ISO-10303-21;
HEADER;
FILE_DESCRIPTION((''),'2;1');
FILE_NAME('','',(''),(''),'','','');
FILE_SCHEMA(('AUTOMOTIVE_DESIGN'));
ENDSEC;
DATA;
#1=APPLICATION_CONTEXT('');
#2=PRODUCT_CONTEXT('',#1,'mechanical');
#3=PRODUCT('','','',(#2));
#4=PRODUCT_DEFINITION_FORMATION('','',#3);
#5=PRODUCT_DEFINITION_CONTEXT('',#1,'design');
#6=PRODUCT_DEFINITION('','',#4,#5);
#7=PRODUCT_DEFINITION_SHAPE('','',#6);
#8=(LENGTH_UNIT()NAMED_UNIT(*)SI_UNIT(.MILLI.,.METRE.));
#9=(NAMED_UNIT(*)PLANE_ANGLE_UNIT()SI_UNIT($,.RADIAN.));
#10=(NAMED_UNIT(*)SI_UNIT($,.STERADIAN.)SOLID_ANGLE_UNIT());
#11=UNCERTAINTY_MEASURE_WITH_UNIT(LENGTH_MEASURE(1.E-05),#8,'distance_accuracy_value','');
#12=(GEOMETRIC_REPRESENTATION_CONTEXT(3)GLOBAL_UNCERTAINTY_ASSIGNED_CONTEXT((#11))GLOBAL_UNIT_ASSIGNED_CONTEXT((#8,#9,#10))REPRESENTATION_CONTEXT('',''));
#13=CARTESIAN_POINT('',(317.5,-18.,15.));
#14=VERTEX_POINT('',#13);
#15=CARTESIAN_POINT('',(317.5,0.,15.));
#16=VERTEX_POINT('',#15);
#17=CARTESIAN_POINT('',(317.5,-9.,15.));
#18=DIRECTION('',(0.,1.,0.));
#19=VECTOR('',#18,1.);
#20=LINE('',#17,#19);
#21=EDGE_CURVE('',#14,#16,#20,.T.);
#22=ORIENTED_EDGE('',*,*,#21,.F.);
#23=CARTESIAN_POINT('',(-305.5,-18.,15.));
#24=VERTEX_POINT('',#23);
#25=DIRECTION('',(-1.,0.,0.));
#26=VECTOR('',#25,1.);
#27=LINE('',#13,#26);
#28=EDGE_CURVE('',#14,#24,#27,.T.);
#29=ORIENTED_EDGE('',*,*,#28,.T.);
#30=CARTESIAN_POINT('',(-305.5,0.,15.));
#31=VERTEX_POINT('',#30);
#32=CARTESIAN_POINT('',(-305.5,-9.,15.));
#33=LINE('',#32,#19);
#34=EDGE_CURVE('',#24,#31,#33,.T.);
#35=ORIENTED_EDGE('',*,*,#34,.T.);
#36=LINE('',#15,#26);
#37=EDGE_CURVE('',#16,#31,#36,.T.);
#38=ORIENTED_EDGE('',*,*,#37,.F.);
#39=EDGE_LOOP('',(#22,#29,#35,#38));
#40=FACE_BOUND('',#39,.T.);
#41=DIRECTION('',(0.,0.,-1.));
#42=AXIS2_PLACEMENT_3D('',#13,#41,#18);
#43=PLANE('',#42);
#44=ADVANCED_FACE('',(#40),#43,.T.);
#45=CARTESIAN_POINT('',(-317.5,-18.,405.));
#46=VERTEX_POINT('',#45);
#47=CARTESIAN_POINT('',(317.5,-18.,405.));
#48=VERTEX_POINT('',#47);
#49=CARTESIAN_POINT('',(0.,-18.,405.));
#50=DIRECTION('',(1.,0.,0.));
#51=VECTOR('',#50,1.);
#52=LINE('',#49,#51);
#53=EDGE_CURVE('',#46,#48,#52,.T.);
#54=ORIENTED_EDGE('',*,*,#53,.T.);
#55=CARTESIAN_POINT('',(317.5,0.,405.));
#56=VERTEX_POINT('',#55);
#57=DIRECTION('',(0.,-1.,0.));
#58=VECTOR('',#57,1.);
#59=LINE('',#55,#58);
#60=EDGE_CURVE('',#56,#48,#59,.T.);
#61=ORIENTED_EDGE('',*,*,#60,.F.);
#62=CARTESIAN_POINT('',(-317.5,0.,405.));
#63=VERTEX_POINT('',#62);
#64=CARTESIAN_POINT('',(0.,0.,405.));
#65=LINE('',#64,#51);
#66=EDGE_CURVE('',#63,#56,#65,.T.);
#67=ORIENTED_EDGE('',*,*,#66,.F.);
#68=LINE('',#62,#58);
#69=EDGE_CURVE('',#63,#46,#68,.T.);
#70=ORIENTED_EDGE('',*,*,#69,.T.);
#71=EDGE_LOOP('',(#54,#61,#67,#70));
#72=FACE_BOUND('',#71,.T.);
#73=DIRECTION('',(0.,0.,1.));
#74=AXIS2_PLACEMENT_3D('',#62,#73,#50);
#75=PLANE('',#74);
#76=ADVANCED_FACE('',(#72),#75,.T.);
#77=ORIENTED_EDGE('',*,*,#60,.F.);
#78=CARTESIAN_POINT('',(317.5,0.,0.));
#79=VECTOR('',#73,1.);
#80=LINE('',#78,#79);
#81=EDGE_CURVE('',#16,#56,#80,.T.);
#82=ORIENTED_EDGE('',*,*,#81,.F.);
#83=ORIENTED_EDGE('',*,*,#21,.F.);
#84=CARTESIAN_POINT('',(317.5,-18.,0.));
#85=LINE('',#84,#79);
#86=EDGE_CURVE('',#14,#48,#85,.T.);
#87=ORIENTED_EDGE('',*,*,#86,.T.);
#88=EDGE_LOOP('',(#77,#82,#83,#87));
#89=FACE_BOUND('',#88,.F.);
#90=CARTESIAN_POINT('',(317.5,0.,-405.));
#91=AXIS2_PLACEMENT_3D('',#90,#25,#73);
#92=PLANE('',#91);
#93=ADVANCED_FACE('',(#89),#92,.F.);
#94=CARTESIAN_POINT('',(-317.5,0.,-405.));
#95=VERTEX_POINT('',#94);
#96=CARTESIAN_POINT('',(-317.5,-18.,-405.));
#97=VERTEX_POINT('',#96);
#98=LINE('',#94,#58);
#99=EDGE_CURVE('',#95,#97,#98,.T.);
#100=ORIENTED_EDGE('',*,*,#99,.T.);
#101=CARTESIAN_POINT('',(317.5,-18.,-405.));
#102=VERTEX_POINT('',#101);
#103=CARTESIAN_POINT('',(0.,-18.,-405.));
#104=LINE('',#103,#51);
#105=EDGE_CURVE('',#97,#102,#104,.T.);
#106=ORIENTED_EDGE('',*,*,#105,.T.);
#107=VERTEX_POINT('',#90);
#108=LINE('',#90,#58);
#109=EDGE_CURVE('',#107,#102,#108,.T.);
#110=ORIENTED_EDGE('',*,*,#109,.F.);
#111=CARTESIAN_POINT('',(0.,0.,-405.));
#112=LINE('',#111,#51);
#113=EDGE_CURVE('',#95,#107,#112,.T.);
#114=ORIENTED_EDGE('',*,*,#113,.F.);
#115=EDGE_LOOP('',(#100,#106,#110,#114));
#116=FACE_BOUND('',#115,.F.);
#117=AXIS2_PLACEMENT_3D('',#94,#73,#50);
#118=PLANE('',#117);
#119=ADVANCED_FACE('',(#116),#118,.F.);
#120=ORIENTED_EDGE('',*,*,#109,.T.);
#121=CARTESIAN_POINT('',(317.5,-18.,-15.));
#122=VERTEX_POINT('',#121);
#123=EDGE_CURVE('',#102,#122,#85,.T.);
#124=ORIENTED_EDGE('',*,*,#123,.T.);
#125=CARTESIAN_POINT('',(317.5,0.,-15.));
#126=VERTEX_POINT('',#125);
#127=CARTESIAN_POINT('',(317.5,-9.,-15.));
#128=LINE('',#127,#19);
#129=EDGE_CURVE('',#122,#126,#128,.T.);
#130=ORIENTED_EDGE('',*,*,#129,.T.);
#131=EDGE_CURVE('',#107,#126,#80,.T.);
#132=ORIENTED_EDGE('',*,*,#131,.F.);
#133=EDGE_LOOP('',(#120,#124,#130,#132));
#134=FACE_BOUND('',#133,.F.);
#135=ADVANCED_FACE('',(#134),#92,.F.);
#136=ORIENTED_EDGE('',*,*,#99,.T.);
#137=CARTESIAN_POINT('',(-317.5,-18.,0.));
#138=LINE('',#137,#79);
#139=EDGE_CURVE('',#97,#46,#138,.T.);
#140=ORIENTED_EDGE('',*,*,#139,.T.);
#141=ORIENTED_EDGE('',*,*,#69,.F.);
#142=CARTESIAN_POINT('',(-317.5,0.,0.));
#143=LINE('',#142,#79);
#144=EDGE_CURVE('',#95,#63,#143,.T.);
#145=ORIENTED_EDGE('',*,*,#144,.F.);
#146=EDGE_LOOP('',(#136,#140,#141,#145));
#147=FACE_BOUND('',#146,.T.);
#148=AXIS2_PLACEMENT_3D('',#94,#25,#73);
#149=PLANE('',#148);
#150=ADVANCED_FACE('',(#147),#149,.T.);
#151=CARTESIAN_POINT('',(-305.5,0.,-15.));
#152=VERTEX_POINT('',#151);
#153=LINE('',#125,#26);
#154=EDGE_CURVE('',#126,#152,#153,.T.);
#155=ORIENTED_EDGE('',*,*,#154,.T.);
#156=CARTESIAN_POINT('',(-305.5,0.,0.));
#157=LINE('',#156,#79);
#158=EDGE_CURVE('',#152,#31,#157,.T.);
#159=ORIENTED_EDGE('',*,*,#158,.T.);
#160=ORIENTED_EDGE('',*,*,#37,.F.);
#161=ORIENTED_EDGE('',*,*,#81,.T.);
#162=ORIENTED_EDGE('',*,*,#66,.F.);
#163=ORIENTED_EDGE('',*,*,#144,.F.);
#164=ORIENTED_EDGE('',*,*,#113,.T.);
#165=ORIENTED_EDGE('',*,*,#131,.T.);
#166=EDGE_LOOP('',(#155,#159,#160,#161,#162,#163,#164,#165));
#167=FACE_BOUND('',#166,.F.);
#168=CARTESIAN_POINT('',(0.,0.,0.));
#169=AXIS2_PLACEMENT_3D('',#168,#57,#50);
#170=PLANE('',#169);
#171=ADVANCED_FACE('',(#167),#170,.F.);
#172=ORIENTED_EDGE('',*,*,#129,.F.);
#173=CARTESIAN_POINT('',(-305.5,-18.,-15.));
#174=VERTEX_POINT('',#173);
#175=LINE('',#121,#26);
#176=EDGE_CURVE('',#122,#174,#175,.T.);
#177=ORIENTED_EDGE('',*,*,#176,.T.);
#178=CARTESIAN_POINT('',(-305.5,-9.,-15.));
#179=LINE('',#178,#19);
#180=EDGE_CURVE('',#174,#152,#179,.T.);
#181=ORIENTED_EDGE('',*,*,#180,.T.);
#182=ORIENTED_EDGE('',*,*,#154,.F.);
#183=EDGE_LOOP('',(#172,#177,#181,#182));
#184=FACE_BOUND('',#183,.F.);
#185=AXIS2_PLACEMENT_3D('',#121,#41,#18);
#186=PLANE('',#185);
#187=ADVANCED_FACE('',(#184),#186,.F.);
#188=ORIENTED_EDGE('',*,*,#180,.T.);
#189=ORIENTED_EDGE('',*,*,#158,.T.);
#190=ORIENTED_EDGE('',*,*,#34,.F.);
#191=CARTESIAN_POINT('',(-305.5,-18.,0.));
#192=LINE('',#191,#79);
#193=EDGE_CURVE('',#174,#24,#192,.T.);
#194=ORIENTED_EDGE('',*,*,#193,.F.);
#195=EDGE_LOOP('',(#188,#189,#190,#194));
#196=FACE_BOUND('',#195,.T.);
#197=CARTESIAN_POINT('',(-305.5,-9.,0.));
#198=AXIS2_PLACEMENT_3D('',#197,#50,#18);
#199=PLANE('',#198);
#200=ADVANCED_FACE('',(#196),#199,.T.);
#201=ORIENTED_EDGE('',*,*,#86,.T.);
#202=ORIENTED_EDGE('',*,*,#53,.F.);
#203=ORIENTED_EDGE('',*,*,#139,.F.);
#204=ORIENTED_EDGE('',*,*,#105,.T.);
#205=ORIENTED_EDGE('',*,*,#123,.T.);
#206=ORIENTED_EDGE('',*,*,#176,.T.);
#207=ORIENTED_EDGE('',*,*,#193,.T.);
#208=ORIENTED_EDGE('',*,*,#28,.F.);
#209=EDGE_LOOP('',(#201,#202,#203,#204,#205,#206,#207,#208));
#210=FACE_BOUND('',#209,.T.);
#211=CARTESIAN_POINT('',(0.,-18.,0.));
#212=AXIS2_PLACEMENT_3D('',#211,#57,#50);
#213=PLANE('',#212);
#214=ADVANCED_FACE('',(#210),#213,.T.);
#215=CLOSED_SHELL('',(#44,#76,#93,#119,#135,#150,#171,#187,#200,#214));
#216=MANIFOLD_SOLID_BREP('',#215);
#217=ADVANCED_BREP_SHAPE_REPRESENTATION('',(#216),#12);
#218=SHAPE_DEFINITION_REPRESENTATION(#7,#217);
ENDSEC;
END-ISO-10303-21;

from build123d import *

# Parameters (mm, degrees)
F0_W     = 635
F0_H     = 810
F1_DEPTH = 18
F2_W     = 18
F2_H     = 30
F3_DEPTH = 623


with BuildPart() as f1:
    # F0 (on Front) → F1 (new body)
    with BuildSketch(Plane.XZ):
        Rectangle(F0_W, F0_H)
    extrude(amount=F1_DEPTH)

    # F2 (on face) → F3 (cut)
    with BuildSketch(Plane.YZ.offset(317.5)):
        with Locations((-9, 0)):
            Rectangle(F2_W, F2_H)
    extrude(amount=-F3_DEPTH, mode=Mode.SUBTRACT)


solid = f1.part
